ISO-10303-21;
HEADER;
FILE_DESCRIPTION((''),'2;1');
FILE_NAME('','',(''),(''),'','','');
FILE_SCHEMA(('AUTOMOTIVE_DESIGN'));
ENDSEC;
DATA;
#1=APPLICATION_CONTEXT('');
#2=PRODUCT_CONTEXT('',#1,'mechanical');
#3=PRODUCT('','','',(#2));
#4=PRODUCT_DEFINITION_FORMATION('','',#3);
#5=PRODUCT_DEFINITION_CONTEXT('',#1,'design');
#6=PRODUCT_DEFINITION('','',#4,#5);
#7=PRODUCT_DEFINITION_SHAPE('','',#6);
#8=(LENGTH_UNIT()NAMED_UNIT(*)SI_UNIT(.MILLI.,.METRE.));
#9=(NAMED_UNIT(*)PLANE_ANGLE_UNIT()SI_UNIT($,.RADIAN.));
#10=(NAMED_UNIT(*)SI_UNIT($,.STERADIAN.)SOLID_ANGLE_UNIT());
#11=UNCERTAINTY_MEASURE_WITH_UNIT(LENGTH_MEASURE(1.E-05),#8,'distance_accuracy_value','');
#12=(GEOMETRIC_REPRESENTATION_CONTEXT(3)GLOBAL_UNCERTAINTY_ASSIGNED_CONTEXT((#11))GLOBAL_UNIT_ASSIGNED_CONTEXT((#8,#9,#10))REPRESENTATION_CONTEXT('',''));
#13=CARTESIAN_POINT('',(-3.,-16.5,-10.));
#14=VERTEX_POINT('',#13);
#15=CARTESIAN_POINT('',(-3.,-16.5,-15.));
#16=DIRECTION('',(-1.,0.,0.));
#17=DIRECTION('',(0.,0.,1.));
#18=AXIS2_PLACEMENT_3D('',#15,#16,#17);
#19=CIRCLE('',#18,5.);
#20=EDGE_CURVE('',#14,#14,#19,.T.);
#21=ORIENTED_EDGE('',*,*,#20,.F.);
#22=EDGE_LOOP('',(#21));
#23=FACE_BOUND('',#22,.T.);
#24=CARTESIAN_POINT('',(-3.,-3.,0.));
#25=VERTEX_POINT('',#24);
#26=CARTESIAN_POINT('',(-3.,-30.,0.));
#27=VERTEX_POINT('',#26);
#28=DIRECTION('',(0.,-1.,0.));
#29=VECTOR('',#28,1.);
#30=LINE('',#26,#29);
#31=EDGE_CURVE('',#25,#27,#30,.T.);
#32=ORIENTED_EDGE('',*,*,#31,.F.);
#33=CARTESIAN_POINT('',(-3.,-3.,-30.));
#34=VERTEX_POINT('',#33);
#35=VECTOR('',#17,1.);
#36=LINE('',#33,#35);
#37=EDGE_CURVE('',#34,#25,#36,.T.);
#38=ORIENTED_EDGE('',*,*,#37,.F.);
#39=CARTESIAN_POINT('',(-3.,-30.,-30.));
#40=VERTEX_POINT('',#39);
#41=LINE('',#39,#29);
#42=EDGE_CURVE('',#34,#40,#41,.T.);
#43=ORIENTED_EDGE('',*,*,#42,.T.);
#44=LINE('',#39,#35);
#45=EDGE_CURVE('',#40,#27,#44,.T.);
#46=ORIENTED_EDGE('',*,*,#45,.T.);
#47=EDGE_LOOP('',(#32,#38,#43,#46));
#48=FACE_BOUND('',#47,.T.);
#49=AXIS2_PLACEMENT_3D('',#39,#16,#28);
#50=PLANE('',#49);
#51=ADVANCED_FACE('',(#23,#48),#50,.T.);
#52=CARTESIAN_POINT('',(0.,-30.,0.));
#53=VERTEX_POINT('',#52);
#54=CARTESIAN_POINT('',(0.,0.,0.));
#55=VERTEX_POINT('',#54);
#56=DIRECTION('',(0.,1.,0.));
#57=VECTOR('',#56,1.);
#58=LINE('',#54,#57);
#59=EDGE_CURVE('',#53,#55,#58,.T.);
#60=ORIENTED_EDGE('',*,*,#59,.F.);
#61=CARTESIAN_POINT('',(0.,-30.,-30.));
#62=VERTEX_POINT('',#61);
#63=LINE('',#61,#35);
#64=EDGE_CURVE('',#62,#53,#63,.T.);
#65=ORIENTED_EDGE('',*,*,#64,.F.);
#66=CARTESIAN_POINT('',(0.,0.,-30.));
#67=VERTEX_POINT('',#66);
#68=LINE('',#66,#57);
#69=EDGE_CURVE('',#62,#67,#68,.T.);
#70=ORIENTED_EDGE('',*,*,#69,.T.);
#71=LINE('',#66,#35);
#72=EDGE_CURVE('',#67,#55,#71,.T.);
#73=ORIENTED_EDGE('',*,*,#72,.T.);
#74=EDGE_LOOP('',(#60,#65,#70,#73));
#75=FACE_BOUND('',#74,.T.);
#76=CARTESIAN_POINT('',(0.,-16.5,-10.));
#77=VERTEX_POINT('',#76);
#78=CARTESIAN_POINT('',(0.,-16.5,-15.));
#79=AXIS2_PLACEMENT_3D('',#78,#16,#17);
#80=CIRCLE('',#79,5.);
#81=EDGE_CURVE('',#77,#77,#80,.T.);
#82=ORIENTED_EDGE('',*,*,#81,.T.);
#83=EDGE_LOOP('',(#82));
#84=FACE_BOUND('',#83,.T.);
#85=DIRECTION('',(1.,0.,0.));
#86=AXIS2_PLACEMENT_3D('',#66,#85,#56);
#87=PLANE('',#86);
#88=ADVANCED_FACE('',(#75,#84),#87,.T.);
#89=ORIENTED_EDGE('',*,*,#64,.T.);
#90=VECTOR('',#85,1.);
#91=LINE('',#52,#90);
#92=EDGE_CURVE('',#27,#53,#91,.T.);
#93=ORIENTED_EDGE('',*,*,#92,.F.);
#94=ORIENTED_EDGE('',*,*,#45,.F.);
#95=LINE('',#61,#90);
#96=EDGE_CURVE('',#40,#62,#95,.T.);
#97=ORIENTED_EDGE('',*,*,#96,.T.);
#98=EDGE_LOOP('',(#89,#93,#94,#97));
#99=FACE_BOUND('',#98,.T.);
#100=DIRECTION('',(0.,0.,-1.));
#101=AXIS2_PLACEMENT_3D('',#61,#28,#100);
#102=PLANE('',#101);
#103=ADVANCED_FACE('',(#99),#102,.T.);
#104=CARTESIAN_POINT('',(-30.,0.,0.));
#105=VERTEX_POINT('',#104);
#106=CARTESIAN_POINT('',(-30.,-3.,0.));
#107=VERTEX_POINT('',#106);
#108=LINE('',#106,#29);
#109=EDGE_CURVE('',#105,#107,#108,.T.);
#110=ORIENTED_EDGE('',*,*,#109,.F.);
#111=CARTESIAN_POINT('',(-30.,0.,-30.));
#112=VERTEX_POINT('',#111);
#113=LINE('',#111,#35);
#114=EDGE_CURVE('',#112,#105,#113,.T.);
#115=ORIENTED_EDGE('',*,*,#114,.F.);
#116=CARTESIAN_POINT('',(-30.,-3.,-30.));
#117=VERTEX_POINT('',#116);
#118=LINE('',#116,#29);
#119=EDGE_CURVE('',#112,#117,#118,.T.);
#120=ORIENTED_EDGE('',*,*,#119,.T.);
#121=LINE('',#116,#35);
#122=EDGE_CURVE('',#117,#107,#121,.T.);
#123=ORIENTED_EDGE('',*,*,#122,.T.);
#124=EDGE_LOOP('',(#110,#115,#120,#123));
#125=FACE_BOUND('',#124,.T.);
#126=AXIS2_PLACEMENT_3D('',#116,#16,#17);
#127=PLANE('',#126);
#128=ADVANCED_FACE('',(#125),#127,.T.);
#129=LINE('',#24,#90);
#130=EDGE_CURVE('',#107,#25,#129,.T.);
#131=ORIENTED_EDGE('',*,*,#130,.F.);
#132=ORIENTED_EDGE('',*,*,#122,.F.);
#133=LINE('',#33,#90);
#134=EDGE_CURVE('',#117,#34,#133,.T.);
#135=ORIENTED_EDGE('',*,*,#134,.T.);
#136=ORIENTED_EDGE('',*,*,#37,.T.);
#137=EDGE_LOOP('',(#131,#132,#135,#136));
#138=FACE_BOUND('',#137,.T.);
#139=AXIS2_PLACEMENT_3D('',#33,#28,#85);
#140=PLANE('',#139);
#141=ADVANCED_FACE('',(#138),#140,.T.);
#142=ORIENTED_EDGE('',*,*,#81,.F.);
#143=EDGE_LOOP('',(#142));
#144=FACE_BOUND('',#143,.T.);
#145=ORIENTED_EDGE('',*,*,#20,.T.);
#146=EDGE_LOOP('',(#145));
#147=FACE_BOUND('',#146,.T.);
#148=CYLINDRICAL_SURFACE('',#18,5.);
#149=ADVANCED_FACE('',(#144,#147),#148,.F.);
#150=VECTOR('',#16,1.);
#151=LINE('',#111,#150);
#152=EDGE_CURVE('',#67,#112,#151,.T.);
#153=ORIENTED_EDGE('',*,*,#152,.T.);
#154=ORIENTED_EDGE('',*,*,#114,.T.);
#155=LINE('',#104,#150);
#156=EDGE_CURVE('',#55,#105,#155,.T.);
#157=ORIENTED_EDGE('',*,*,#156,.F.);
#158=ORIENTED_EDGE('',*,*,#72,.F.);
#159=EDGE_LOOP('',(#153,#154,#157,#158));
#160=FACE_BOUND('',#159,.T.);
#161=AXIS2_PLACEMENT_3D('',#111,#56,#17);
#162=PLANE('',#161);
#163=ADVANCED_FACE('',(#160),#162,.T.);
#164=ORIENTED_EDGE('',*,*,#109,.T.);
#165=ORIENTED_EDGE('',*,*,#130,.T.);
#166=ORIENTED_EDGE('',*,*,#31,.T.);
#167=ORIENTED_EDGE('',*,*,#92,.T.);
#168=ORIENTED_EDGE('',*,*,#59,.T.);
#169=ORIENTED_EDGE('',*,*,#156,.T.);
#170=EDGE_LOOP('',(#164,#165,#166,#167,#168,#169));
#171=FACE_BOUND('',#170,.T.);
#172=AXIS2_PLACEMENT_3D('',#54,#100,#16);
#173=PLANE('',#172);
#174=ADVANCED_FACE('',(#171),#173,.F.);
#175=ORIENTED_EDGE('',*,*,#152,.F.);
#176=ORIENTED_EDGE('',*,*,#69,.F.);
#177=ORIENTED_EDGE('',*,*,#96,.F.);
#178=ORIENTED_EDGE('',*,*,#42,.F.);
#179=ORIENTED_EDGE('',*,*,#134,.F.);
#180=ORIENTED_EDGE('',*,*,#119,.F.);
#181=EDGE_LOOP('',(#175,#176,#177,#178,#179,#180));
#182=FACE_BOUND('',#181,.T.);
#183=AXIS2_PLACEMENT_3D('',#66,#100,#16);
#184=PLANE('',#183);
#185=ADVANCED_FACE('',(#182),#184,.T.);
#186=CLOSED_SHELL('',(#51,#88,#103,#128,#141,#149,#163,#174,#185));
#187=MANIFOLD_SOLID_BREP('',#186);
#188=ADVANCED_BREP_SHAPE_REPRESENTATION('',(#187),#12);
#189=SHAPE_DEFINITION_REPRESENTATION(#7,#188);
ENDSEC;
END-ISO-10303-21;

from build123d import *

# Parameters (mm, degrees)
BOSS_EXTRU_1_DEPTH = 30
D_GAGEMENT_M81_D   = 10
D_GAGEMENT_M82_D   = 10
D_GAGEMENT_M83_D   = 10
D_GAGEMENT_M84_D   = 10


with BuildPart() as part:
    # Esquisse1 → Boss.-Extru.1 (new body)
    with BuildSketch(Plane.XY):
        Polygon((0, 0), (0, -30), (-3, -30), (-3, -3), (-30, -3), (-30, 0), align=None)
    extrude(amount=-BOSS_EXTRU_1_DEPTH)

    # Dégagement M81 (through all)
    with Locations(Plane(origin=(-3, -21, 985), x_dir=(0, -1, 0), z_dir=(-1, 0, 0))):
        with Locations((-4.5, 1000), (-4.5, -1000)):
            Hole(D_GAGEMENT_M81_D / 2)

    # Dégagement M82 (through all)
    with Locations(Plane(origin=(33, -21, -1015), x_dir=(0, -1, 0), z_dir=(1, 0, 0))):
        with Locations((-4.5, 1000), (-4.5, -1000)):
            Hole(D_GAGEMENT_M82_D / 2)

    # Dégagement M83 (through all)
    with Locations(Plane(origin=(33, -21, 985), x_dir=(0, -1, 0), z_dir=(1, 0, 0))):
        with Locations((-4.5, 1000), (-4.5, -1000)):
            Hole(D_GAGEMENT_M83_D / 2)

    # Dégagement M84 (through all)
    with Locations(Plane(origin=(-3, -21, -1015), x_dir=(0, -1, 0), z_dir=(-1, 0, 0))):
        with Locations((-4.5, 1000), (-4.5, -1000)):
            Hole(D_GAGEMENT_M84_D / 2)


solid = part.part
